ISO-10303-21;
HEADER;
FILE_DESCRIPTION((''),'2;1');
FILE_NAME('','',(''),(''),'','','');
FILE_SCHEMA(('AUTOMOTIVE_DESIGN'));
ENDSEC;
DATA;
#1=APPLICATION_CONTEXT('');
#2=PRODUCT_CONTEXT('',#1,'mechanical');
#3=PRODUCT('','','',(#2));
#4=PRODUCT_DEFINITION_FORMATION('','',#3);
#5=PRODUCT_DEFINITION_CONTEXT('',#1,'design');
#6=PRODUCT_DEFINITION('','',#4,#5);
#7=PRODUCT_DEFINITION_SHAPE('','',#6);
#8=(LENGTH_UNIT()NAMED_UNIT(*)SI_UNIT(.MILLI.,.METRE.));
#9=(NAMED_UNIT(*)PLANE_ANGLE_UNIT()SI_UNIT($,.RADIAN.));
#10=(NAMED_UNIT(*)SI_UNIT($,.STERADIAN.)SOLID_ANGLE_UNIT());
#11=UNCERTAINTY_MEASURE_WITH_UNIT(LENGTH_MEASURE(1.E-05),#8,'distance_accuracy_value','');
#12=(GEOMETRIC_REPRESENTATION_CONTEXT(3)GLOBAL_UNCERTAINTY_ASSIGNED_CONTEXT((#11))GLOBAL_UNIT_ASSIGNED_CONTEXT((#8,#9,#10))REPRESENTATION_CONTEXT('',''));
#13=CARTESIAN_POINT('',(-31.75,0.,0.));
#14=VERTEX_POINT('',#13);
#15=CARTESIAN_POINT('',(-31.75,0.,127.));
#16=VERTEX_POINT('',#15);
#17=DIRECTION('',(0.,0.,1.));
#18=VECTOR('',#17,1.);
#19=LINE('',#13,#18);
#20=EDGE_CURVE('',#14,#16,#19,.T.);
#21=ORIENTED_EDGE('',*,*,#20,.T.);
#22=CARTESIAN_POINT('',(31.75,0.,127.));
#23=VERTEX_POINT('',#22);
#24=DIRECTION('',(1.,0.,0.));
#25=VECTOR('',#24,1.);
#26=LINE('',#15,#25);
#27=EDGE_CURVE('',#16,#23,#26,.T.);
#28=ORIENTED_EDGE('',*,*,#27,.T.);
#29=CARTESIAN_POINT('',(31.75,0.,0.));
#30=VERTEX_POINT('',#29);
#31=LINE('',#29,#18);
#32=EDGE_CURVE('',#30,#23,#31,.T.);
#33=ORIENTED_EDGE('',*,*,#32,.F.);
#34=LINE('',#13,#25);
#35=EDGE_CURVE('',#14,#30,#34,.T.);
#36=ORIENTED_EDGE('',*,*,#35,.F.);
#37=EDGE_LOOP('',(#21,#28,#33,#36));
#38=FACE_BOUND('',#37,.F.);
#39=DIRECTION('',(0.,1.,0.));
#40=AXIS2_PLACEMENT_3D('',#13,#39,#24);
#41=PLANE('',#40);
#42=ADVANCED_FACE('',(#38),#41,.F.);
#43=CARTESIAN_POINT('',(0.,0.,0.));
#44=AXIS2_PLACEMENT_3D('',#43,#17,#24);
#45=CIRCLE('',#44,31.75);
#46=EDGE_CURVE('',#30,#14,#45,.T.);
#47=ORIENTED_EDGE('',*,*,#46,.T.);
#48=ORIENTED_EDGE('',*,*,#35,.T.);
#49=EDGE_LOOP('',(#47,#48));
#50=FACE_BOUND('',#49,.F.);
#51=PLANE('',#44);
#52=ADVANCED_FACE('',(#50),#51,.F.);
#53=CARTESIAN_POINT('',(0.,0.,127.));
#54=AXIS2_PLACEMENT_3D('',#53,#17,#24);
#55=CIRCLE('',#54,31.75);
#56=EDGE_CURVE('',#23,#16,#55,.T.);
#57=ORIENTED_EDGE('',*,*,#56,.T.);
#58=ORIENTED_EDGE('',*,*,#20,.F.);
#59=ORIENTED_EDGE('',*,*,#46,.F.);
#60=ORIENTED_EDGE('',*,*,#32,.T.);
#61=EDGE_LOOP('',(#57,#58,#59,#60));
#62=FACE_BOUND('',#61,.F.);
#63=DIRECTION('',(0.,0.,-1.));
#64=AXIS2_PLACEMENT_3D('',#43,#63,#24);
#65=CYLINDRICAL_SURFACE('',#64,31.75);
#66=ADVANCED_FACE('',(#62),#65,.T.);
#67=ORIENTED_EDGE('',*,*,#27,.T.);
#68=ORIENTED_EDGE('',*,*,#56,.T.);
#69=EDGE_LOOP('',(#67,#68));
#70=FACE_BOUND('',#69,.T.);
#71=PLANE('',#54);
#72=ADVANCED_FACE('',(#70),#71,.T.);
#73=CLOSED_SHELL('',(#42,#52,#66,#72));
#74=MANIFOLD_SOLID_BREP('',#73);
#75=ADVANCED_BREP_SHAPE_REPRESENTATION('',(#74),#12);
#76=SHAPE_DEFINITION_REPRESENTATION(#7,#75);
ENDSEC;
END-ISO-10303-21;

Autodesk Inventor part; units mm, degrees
ref_plane "YZ Plane" through (0, 0, 0) normal (1, 0, 0) x (0, 1, 0)
ref_plane "XZ Plane" through (0, 0, 0) normal (0, 1, 0) x (-1, 0, 0)
ref_plane "XY Plane" through (0, 0, 0) normal (0, 0, 1) x (1, 0, 0)
sketch "Sketch1" plane through (0, 0, 0) normal (0, 0, 1) x (1, 0, 0)
  arc A0 (31.75, 0) -> (-31.75, 0) centre (0, 0) ccw
  line L0 (-31.75, 0) -> (31.75, 0)
  dimension "diameter" = 63.5
extrude "Extrusion1" add sketch "Sketch1" along normal blind 127
equation "\"width\" = 2 * diameter"
properties part number "Greenhouse_3DPrint"
